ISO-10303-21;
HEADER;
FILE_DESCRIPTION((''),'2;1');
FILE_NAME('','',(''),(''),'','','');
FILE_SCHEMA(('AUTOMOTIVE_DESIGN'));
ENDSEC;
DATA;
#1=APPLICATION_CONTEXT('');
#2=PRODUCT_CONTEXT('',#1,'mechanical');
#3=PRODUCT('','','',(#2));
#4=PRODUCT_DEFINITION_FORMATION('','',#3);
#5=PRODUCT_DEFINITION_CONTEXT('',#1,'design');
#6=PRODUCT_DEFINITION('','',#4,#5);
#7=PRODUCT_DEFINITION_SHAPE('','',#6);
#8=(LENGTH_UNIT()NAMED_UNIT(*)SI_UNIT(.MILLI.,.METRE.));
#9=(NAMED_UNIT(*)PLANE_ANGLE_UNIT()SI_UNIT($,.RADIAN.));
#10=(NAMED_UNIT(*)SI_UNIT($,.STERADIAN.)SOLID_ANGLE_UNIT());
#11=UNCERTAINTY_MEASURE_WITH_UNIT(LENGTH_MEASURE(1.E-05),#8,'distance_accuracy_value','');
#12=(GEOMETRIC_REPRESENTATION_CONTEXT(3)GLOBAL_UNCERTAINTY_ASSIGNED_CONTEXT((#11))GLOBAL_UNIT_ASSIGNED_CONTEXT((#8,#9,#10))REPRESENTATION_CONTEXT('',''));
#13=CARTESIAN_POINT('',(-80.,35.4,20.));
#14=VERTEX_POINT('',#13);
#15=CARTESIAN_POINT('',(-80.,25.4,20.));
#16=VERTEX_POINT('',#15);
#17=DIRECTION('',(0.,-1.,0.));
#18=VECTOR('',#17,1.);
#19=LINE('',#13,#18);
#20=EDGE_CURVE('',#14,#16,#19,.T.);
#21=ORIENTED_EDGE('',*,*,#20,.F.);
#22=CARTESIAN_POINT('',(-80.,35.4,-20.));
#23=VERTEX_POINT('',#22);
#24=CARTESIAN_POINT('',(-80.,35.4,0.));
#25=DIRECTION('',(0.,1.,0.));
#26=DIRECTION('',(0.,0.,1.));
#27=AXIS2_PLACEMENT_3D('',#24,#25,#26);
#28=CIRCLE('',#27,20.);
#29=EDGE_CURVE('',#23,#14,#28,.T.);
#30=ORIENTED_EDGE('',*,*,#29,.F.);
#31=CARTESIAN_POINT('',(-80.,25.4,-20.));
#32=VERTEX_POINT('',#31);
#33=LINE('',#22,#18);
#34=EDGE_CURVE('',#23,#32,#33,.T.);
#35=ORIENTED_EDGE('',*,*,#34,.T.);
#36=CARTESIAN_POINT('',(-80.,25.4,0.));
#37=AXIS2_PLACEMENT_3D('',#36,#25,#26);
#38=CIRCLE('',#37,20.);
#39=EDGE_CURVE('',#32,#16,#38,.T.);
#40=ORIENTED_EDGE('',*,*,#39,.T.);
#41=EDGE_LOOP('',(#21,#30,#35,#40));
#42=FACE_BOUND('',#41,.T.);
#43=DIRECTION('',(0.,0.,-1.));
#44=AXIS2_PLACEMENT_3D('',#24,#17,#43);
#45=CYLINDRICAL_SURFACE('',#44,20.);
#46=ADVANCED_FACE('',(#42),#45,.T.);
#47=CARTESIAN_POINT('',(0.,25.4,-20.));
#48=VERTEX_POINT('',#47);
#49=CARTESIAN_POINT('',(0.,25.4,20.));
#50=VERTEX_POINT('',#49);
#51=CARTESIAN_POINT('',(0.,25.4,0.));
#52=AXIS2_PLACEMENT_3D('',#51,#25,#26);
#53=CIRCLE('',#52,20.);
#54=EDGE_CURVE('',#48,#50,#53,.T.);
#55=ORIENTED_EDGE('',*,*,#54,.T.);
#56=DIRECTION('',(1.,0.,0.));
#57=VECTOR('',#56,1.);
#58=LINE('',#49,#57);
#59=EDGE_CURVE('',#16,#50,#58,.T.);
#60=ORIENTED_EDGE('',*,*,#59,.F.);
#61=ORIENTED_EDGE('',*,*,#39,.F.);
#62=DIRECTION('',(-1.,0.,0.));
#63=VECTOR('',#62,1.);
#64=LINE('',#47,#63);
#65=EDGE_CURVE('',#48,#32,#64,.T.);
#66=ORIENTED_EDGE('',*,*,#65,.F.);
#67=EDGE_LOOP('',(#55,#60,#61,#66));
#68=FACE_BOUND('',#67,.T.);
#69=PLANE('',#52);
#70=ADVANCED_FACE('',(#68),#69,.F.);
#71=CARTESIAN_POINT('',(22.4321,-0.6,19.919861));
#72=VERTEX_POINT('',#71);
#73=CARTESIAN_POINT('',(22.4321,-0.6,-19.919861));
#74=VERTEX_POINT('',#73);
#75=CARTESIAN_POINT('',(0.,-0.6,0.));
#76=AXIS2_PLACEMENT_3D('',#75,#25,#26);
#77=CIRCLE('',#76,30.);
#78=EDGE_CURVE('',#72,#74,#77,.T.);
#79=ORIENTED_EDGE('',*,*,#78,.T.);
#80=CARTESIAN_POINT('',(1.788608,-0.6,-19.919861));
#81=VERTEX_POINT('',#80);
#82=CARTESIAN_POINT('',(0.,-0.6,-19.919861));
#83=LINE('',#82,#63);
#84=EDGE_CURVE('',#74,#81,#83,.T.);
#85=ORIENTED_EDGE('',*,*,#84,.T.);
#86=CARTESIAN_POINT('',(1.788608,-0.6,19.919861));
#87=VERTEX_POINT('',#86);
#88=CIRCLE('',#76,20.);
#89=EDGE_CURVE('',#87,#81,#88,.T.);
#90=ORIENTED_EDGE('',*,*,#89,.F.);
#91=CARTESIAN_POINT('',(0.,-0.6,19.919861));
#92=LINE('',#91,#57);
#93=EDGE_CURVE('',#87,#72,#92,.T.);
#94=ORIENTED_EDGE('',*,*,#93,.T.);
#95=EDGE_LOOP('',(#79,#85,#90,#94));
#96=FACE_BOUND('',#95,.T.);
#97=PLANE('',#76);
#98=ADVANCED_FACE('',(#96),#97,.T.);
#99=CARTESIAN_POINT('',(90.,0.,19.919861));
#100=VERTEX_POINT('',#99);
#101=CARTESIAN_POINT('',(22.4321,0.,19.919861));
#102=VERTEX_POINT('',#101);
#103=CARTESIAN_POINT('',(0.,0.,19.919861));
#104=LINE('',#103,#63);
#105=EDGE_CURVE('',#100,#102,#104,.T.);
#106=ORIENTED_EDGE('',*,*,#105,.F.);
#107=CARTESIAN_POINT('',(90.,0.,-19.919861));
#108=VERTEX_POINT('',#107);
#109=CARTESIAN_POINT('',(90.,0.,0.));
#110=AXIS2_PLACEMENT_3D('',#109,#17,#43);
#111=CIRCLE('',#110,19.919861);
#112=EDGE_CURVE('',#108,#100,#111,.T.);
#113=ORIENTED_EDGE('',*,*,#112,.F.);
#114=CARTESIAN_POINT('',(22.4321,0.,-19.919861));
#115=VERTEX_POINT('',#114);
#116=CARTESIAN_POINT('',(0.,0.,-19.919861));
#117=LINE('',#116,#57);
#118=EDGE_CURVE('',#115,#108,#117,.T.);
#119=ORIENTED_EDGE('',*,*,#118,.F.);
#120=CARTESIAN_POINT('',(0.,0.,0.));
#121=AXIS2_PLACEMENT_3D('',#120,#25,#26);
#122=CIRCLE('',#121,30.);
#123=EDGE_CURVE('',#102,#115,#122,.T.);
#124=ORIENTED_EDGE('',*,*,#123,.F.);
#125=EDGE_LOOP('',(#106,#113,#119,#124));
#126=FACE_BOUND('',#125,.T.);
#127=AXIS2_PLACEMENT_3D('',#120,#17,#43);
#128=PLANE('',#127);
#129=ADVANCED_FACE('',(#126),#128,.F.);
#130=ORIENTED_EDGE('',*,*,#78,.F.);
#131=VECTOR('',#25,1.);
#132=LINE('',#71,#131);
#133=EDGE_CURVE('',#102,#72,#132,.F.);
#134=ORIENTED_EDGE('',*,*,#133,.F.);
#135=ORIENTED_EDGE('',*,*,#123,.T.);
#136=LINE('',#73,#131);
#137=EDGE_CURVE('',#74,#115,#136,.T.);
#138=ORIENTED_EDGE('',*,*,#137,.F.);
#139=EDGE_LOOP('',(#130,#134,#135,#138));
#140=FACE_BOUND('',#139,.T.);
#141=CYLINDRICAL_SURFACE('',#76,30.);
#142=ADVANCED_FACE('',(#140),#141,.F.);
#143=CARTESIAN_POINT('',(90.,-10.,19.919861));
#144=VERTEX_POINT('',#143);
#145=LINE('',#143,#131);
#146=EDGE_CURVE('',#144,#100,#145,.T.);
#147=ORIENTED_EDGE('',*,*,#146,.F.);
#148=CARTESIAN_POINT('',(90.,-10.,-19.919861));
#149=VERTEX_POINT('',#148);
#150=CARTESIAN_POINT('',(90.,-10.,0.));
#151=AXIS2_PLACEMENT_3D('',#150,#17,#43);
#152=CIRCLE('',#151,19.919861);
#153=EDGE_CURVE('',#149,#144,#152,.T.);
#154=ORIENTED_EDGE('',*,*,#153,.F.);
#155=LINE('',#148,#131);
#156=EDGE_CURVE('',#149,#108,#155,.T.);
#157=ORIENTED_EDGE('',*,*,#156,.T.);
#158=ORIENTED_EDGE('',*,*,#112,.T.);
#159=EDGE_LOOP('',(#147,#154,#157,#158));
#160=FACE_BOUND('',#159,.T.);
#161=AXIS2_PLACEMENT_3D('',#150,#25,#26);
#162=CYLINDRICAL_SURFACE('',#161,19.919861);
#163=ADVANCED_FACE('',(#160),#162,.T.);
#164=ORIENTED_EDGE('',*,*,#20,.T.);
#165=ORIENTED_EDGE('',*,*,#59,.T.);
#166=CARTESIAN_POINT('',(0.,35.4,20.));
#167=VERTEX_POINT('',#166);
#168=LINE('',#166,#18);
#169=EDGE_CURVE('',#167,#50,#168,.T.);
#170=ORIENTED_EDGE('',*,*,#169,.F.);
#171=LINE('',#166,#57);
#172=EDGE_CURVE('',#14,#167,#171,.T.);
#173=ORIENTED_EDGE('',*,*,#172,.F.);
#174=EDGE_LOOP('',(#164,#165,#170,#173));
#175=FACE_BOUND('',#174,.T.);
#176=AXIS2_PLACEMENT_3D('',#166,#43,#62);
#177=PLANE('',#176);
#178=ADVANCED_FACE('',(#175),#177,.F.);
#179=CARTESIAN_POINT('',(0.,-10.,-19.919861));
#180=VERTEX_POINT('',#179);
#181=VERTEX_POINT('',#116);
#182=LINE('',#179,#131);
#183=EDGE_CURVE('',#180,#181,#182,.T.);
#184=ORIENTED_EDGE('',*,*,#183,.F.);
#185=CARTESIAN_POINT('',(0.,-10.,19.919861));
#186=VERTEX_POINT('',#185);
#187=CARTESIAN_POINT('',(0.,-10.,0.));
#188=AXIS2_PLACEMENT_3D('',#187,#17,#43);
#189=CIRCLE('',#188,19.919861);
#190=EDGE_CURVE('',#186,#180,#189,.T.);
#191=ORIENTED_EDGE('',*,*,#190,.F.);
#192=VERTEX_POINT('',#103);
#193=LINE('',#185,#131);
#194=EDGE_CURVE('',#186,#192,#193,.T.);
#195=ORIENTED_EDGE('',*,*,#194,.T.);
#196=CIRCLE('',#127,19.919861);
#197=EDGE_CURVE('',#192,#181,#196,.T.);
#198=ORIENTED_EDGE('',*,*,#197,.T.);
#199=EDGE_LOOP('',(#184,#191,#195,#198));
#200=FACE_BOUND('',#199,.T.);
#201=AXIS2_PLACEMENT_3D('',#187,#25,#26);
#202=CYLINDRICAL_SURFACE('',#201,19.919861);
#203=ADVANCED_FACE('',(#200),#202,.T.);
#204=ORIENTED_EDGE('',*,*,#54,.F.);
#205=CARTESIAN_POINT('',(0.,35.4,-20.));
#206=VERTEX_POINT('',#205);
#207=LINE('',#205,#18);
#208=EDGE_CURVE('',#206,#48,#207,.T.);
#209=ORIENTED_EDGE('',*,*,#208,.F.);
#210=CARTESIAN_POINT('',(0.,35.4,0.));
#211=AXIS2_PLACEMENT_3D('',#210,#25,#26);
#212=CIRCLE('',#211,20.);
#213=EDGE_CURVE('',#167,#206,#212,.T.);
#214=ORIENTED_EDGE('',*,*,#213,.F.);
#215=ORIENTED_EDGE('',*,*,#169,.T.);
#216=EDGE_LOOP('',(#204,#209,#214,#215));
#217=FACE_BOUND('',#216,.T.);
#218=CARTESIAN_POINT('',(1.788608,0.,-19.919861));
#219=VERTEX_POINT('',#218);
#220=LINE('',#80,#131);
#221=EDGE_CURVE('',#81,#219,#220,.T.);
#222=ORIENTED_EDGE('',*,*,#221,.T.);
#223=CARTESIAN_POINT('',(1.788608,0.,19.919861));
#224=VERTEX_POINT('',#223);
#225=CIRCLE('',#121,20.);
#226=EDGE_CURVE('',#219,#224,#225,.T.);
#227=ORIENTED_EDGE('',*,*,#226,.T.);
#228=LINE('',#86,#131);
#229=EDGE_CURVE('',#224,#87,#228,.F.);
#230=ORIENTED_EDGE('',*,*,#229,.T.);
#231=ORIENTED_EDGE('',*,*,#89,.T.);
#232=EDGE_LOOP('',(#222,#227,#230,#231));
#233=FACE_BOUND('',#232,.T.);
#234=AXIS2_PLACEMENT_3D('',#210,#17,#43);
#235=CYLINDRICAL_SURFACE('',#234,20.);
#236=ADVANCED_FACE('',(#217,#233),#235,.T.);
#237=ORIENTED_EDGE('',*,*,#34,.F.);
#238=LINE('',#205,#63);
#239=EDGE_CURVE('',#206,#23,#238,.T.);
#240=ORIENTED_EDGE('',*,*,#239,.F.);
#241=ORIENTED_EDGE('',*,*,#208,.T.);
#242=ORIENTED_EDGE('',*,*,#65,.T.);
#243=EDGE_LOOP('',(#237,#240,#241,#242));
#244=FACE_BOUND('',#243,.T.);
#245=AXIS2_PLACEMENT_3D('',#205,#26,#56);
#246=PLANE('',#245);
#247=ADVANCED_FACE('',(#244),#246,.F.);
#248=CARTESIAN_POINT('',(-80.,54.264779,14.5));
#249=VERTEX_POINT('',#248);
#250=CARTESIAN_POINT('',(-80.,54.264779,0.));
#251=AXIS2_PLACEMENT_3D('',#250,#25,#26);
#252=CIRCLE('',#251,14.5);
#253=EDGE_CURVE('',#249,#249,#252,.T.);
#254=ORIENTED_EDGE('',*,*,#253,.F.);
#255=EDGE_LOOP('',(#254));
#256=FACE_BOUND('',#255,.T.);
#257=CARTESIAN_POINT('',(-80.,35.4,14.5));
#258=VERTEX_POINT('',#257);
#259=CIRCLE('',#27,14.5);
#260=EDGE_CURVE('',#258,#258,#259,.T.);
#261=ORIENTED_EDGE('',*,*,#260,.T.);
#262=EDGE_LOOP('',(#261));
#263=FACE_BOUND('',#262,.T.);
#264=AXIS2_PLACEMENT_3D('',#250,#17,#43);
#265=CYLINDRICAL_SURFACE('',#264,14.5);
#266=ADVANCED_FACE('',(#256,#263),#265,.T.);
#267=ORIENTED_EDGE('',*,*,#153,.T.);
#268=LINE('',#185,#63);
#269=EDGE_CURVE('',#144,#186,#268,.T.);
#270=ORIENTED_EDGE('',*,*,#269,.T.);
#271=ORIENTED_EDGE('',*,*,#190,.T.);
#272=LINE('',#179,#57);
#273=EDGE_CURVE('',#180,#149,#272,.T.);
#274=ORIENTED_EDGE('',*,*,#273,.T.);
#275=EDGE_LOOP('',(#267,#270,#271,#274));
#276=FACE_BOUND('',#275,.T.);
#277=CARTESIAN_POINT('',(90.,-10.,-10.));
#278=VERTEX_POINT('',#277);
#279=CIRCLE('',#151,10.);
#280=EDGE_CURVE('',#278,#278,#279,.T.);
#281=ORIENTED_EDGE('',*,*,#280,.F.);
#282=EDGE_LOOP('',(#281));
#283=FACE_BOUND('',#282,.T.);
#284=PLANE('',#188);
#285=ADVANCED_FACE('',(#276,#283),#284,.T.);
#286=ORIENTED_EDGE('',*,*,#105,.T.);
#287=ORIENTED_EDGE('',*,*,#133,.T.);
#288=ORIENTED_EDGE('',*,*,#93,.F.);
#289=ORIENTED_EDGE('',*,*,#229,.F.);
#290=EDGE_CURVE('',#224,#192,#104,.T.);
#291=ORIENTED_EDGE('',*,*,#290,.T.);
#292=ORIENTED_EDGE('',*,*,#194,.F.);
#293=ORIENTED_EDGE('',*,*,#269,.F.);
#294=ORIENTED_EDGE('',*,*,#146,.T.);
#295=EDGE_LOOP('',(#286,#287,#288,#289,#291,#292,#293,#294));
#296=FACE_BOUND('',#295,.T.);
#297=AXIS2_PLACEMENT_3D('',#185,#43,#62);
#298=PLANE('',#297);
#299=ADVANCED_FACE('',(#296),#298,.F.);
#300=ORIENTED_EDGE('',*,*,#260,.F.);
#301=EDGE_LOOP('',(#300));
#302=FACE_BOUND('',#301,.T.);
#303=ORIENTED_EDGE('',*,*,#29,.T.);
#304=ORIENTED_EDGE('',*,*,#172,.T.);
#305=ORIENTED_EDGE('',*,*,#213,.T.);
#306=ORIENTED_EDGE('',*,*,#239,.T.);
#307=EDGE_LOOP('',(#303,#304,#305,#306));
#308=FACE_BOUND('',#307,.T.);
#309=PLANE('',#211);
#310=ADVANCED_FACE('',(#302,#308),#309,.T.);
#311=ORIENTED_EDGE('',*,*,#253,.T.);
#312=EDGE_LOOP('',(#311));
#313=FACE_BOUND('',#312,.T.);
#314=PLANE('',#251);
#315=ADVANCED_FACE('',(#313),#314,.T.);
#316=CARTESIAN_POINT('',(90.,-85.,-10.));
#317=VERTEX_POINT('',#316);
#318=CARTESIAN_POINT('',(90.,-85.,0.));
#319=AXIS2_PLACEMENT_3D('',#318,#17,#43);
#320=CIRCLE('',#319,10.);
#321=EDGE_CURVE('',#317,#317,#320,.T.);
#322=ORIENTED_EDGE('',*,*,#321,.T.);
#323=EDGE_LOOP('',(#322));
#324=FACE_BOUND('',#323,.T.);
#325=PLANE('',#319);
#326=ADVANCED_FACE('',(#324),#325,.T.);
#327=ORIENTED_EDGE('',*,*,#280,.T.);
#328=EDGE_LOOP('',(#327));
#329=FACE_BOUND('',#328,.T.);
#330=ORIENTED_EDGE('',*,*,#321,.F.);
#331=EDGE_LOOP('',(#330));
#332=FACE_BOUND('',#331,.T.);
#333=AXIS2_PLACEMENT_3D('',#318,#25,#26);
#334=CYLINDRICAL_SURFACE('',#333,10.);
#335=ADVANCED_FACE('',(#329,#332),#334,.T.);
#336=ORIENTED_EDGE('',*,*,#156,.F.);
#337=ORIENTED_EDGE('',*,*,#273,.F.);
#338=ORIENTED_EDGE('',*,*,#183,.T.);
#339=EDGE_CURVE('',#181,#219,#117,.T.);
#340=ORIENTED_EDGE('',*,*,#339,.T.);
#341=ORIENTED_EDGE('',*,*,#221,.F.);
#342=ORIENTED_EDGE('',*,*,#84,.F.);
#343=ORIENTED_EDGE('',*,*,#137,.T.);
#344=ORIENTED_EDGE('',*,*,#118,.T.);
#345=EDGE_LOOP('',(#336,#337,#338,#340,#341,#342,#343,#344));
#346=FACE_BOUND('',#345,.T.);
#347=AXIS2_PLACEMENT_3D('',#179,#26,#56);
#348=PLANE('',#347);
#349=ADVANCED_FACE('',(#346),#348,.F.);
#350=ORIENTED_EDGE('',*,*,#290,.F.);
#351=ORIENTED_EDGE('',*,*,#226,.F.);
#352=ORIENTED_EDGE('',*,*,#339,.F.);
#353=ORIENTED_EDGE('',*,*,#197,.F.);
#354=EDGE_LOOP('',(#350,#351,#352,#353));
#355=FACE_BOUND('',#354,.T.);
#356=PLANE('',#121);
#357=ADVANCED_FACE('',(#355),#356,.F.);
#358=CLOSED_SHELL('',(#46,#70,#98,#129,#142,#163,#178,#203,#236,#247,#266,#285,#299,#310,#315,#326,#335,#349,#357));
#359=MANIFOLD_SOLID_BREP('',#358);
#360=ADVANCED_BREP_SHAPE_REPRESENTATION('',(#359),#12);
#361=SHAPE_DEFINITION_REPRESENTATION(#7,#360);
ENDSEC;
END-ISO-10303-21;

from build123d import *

# Parameters (mm, degrees)
SKETCH1_R           = 30
BOSS_EXTRUDE1_DEPTH = 25.4
BOSS_EXTRUDE2_DEPTH = 10
SKETCH3_R           = 14.5
BOSS_EXTRUDE3_DEPTH = 18.864779219
BOSS_EXTRUDE4_DEPTH = 10
SKETCH5_R           = 10
BOSS_EXTRUDE5_DEPTH = 75
CUT_EXTRUDE1_START  = -26
SKETCH7_R           = 30
SKETCH7_R_2         = 20
CUT_EXTRUDE1_DEPTH  = 26


with BuildPart() as part:
    # Sketch1 → Boss-Extrude1 (new body)
    with BuildSketch(Plane(origin=(0, 0, 0), x_dir=(1, 0, 0), z_dir=(0, 1, 0))):
        with Locations(Location((0, 0, 0), (0, 0, 270))):
            Circle(SKETCH1_R)
    extrude(amount=BOSS_EXTRUDE1_DEPTH)

    # Sketch2 → Boss-Extrude2 (add)
    with BuildSketch(Plane(origin=(0, 25.4, 0), x_dir=(1, 0, 0), z_dir=(0, 1, 0))):
        with BuildLine():
            Line((0, -20), (-80, -20))
            ThreePointArc((-80, -20), (-100, 0), (-80, 20))
            Line((-80, 20), (0, 20))
            ThreePointArc((0, 20), (20, 0), (0, -20))
        make_face()
    extrude(amount=BOSS_EXTRUDE2_DEPTH)

    # Sketch3 → Boss-Extrude3 (add)
    with BuildSketch(Plane(origin=(0, 35.4, 0), x_dir=(1, 0, 0), z_dir=(0, 1, 0))):
        with Locations(Location((-80, 0, 0), (0, 0, 270))):
            Circle(SKETCH3_R)
    extrude(amount=BOSS_EXTRUDE3_DEPTH)

    # Sketch4 → Boss-Extrude4 (add)
    with BuildSketch(Plane.XZ):
        with BuildLine():
            Line((0, 19.919861454), (90, 19.919861454))
            ThreePointArc((90, 19.919861454), (109.919861454, 0), (90, -19.919861454))
            Line((90, -19.919861454), (0, -19.919861454))
            ThreePointArc((0, -19.919861454), (-19.919861454, 0), (0, 19.919861454))
        make_face()
    extrude(amount=BOSS_EXTRUDE4_DEPTH)

    # Sketch5 → Boss-Extrude5 (add)
    with BuildSketch(Plane.XZ.offset(10)):
        with Locations(Location((90, 0, 0), (0, 0, 270))):
            Circle(SKETCH5_R)
    extrude(amount=BOSS_EXTRUDE5_DEPTH)

    # Sketch7 → Cut-Extrude1 (cut)
    with BuildSketch(Plane(origin=(0, 25.4, 0), x_dir=(1, 0, 0), z_dir=(0, 1, 0)).offset(CUT_EXTRUDE1_START)):
        Circle(SKETCH7_R)
        with Locations(Location((0, 0, 0), (0, 0, 90))):
            Circle(SKETCH7_R_2, mode=Mode.SUBTRACT)
    extrude(amount=CUT_EXTRUDE1_DEPTH, mode=Mode.SUBTRACT)


solid = part.part
